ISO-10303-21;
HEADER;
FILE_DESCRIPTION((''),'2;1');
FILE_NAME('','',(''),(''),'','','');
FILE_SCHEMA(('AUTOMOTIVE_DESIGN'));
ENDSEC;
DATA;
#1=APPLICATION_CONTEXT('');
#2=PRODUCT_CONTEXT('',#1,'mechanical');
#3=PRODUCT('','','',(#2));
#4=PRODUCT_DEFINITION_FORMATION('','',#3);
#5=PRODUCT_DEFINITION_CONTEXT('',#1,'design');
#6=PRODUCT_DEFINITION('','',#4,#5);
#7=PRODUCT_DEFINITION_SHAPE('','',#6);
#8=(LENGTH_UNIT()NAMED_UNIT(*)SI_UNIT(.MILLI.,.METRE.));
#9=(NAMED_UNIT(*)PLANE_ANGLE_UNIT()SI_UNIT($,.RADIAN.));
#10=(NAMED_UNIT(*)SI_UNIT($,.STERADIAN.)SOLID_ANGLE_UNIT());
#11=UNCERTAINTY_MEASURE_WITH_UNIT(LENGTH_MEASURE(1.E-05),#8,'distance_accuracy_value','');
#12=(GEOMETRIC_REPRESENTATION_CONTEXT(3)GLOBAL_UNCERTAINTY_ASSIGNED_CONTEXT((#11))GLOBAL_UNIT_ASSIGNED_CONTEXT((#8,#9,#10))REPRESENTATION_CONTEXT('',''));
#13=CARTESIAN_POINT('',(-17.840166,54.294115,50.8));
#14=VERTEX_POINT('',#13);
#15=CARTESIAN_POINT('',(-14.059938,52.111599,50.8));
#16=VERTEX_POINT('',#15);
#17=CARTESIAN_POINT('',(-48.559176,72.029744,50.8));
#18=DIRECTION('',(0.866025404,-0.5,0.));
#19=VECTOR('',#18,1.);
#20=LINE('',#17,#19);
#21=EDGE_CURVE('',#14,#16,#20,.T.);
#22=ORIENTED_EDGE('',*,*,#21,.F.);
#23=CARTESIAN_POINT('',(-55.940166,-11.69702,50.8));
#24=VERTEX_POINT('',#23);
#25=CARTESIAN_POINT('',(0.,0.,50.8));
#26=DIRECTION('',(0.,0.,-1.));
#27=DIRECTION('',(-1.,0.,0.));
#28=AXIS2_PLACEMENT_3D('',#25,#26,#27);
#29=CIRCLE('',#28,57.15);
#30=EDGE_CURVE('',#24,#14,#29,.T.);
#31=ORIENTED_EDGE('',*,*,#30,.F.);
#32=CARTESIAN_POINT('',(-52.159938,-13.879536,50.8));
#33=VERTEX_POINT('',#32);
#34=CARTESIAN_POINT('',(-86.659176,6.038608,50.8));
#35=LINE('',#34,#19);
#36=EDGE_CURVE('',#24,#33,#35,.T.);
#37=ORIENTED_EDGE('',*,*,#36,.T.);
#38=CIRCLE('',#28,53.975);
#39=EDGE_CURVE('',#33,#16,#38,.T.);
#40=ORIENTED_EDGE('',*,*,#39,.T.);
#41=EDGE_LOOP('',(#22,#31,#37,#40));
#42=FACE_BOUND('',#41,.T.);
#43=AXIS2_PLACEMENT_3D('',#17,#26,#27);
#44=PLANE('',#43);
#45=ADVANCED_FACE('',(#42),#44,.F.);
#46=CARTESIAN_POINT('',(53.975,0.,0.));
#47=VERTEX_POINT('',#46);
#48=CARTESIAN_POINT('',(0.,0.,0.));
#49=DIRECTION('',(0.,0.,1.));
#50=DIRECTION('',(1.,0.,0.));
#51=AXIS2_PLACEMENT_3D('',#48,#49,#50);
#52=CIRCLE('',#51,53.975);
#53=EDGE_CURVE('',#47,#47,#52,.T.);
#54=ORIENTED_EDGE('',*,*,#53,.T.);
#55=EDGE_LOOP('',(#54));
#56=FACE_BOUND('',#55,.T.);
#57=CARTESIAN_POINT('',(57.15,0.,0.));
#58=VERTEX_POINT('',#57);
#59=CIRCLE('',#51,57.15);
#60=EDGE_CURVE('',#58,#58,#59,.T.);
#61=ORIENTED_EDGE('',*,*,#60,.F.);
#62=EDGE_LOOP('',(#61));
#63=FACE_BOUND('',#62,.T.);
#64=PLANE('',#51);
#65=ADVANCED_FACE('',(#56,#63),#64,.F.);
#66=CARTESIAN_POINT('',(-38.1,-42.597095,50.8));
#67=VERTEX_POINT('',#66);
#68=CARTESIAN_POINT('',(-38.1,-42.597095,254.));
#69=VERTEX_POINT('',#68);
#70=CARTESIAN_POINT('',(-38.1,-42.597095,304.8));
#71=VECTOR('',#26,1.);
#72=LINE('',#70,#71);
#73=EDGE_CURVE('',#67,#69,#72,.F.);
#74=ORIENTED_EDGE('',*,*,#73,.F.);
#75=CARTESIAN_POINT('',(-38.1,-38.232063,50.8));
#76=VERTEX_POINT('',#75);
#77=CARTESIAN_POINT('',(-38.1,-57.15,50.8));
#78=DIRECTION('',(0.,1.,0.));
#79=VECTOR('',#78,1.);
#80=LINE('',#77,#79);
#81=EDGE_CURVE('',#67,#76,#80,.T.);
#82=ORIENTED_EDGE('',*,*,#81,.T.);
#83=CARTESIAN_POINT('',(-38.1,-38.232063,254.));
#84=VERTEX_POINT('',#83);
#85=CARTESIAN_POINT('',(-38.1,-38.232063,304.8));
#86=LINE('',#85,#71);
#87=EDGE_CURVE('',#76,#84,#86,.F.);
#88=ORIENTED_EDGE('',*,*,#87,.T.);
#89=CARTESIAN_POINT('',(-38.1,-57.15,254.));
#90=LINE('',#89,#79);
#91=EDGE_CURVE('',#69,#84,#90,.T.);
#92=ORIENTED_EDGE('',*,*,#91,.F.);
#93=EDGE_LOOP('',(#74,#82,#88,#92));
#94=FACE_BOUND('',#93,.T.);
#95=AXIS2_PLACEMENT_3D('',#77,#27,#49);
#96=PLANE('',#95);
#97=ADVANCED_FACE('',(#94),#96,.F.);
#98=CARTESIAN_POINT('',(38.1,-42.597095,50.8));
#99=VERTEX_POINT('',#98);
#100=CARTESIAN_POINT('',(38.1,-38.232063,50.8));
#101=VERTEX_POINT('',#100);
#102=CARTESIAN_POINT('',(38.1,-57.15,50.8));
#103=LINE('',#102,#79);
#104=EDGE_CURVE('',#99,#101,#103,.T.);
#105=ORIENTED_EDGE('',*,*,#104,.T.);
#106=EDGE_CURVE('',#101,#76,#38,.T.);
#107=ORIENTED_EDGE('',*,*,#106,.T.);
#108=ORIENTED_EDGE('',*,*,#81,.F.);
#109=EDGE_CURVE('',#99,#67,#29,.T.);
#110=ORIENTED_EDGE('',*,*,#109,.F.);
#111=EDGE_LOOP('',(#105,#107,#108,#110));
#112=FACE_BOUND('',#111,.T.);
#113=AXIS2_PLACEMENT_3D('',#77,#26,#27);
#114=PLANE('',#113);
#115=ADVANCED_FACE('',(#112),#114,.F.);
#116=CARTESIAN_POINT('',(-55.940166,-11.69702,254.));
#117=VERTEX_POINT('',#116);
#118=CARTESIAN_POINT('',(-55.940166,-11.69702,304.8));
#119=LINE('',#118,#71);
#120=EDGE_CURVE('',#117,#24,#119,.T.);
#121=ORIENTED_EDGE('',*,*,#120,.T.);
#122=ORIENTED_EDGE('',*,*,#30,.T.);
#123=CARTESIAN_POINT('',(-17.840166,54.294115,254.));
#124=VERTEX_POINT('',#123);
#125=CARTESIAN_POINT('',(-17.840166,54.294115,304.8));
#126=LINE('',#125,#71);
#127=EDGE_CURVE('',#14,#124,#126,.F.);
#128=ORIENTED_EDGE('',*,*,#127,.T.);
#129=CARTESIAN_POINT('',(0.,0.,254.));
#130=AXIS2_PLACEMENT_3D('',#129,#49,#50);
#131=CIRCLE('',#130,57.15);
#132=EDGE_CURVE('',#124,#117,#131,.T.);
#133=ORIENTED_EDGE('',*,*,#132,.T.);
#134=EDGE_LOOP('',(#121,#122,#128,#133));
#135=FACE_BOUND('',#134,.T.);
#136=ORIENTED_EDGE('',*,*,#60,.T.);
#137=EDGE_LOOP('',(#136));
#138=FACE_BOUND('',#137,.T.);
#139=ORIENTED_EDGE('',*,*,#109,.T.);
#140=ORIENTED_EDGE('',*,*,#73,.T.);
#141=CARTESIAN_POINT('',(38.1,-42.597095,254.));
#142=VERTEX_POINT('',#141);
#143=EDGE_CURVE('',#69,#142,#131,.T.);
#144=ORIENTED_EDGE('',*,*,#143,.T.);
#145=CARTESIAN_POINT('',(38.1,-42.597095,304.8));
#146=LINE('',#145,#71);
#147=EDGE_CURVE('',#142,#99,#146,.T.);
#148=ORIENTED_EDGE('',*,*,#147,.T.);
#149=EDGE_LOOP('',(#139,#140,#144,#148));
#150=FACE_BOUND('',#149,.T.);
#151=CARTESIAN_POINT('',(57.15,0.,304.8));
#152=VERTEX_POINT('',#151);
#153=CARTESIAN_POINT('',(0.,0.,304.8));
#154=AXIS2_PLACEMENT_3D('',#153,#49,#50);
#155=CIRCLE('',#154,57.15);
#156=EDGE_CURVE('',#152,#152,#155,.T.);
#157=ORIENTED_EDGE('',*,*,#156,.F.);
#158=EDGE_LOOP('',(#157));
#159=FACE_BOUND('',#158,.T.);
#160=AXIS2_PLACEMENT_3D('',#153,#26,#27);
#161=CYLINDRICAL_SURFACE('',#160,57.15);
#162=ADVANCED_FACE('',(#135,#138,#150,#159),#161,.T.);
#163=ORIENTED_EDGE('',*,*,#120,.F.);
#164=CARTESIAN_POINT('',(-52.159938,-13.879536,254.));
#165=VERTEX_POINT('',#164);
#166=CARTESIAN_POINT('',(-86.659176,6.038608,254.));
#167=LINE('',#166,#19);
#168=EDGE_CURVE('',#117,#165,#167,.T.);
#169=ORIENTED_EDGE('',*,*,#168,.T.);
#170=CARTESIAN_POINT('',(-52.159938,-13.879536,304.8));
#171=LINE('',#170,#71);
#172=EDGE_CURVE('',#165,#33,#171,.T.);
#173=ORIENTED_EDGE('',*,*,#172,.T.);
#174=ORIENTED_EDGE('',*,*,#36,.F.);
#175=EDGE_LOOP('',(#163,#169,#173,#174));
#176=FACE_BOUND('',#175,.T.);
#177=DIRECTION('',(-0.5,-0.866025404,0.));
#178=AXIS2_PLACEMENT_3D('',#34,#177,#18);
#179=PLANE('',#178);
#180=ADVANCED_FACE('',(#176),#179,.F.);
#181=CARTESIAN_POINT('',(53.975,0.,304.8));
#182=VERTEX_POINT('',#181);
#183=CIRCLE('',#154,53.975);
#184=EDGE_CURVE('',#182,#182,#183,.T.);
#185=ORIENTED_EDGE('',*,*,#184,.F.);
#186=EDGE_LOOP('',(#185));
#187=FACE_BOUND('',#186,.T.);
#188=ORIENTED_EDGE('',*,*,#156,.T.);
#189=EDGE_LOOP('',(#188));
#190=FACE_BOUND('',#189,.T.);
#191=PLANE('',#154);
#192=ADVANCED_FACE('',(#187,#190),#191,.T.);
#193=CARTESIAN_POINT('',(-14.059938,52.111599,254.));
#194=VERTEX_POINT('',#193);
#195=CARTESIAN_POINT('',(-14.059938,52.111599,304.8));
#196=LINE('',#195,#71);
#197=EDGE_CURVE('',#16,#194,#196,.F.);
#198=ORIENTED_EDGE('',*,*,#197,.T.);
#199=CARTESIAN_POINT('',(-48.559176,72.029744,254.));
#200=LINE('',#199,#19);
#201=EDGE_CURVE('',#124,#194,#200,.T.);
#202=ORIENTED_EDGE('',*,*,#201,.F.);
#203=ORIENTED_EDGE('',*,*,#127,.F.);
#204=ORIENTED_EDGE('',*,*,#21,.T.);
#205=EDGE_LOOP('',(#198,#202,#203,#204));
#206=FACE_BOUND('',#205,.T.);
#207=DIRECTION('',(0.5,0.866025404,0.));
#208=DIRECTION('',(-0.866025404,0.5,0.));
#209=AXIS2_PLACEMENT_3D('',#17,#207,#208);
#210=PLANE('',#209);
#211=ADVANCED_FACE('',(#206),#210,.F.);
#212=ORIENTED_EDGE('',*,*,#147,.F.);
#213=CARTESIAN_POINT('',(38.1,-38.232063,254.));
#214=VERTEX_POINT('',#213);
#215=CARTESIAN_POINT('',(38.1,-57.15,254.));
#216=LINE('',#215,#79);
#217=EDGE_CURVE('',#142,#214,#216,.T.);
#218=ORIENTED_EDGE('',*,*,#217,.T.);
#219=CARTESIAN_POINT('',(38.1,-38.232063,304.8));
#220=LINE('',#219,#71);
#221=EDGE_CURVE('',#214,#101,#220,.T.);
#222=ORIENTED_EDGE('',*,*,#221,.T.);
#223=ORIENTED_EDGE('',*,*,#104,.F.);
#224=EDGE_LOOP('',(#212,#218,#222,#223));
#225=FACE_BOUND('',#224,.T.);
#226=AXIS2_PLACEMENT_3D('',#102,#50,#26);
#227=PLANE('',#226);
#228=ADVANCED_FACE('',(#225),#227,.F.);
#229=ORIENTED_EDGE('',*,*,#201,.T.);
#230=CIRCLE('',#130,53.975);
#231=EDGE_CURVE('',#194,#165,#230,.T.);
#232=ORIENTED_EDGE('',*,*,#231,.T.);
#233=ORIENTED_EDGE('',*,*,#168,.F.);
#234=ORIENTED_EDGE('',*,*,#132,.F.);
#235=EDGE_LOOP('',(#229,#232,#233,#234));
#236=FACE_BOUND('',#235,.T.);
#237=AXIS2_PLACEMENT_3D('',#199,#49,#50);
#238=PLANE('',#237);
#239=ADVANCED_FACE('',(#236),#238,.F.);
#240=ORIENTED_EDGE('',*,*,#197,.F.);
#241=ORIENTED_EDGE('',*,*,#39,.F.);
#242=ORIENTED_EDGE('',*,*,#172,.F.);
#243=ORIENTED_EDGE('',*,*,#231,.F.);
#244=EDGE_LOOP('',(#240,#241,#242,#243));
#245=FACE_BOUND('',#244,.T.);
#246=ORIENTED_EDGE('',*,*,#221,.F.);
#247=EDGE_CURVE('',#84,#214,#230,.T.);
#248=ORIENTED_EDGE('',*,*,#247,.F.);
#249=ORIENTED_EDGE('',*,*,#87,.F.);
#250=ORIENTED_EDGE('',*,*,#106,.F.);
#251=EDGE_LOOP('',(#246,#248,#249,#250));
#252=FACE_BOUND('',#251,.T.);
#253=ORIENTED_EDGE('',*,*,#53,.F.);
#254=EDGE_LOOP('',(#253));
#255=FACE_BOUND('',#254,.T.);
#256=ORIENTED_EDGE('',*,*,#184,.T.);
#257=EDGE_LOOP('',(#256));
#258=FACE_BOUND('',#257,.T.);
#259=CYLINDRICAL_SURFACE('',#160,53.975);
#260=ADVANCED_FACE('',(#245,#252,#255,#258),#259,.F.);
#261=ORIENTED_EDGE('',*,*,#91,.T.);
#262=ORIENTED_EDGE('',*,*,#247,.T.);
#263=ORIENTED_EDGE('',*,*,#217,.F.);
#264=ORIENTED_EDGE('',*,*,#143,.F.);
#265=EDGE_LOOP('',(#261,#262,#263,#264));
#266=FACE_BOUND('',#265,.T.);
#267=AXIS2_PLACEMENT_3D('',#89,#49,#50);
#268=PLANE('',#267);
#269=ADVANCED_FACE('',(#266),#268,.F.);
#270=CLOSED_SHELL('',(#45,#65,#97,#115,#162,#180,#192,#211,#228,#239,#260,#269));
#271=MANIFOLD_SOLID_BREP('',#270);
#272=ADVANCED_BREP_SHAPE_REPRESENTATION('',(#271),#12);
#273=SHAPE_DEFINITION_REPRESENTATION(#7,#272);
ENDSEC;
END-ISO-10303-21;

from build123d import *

# Parameters (mm, degrees)
SKETCH1_R      = 57.15
SKETCH1_R_2    = 53.975
EXTRUDE1_DEPTH = 304.8
SKETCH2_W      = 76.2
SKETCH2_H      = 203.2
EXTRUDE2_DEPTH = 316.333609056
SKETCH3_W      = 203.2
SKETCH3_H      = 76.2
EXTRUDE3_DEPTH = 316.333609056


with BuildPart() as part:
    # Sketch1 → Extrude1 (new body)
    with BuildSketch(Plane.XY):
        with Locations(Location((0, 0, 0), (0, 0, 180))):
            Circle(SKETCH1_R)
        with Locations(Location((0, 0, 0), (0, 0, 180))):
            Circle(SKETCH1_R_2, mode=Mode.SUBTRACT)
    extrude(amount=EXTRUDE1_DEPTH)

    # Sketch2 → Extrude2 (cut, through all)
    with BuildSketch(Plane(origin=(0, 0, 0), x_dir=(1, 0, 0), z_dir=(0, 1, 0))):
        with Locations((0, -152.4)):
            Rectangle(SKETCH2_W, SKETCH2_H)
    extrude(amount=-EXTRUDE2_DEPTH, mode=Mode.SUBTRACT)

    # Sketch3 → Extrude3 (cut, through all)
    with BuildSketch(Plane(origin=(0, 0, 0), x_dir=(0, 0, -1), z_dir=(0.8660254037844365, -0.500000000000004, 0))):
        with Locations((-152.4, 0)):
            Rectangle(SKETCH3_W, SKETCH3_H)
    extrude(amount=-EXTRUDE3_DEPTH, mode=Mode.SUBTRACT)


solid = part.part
